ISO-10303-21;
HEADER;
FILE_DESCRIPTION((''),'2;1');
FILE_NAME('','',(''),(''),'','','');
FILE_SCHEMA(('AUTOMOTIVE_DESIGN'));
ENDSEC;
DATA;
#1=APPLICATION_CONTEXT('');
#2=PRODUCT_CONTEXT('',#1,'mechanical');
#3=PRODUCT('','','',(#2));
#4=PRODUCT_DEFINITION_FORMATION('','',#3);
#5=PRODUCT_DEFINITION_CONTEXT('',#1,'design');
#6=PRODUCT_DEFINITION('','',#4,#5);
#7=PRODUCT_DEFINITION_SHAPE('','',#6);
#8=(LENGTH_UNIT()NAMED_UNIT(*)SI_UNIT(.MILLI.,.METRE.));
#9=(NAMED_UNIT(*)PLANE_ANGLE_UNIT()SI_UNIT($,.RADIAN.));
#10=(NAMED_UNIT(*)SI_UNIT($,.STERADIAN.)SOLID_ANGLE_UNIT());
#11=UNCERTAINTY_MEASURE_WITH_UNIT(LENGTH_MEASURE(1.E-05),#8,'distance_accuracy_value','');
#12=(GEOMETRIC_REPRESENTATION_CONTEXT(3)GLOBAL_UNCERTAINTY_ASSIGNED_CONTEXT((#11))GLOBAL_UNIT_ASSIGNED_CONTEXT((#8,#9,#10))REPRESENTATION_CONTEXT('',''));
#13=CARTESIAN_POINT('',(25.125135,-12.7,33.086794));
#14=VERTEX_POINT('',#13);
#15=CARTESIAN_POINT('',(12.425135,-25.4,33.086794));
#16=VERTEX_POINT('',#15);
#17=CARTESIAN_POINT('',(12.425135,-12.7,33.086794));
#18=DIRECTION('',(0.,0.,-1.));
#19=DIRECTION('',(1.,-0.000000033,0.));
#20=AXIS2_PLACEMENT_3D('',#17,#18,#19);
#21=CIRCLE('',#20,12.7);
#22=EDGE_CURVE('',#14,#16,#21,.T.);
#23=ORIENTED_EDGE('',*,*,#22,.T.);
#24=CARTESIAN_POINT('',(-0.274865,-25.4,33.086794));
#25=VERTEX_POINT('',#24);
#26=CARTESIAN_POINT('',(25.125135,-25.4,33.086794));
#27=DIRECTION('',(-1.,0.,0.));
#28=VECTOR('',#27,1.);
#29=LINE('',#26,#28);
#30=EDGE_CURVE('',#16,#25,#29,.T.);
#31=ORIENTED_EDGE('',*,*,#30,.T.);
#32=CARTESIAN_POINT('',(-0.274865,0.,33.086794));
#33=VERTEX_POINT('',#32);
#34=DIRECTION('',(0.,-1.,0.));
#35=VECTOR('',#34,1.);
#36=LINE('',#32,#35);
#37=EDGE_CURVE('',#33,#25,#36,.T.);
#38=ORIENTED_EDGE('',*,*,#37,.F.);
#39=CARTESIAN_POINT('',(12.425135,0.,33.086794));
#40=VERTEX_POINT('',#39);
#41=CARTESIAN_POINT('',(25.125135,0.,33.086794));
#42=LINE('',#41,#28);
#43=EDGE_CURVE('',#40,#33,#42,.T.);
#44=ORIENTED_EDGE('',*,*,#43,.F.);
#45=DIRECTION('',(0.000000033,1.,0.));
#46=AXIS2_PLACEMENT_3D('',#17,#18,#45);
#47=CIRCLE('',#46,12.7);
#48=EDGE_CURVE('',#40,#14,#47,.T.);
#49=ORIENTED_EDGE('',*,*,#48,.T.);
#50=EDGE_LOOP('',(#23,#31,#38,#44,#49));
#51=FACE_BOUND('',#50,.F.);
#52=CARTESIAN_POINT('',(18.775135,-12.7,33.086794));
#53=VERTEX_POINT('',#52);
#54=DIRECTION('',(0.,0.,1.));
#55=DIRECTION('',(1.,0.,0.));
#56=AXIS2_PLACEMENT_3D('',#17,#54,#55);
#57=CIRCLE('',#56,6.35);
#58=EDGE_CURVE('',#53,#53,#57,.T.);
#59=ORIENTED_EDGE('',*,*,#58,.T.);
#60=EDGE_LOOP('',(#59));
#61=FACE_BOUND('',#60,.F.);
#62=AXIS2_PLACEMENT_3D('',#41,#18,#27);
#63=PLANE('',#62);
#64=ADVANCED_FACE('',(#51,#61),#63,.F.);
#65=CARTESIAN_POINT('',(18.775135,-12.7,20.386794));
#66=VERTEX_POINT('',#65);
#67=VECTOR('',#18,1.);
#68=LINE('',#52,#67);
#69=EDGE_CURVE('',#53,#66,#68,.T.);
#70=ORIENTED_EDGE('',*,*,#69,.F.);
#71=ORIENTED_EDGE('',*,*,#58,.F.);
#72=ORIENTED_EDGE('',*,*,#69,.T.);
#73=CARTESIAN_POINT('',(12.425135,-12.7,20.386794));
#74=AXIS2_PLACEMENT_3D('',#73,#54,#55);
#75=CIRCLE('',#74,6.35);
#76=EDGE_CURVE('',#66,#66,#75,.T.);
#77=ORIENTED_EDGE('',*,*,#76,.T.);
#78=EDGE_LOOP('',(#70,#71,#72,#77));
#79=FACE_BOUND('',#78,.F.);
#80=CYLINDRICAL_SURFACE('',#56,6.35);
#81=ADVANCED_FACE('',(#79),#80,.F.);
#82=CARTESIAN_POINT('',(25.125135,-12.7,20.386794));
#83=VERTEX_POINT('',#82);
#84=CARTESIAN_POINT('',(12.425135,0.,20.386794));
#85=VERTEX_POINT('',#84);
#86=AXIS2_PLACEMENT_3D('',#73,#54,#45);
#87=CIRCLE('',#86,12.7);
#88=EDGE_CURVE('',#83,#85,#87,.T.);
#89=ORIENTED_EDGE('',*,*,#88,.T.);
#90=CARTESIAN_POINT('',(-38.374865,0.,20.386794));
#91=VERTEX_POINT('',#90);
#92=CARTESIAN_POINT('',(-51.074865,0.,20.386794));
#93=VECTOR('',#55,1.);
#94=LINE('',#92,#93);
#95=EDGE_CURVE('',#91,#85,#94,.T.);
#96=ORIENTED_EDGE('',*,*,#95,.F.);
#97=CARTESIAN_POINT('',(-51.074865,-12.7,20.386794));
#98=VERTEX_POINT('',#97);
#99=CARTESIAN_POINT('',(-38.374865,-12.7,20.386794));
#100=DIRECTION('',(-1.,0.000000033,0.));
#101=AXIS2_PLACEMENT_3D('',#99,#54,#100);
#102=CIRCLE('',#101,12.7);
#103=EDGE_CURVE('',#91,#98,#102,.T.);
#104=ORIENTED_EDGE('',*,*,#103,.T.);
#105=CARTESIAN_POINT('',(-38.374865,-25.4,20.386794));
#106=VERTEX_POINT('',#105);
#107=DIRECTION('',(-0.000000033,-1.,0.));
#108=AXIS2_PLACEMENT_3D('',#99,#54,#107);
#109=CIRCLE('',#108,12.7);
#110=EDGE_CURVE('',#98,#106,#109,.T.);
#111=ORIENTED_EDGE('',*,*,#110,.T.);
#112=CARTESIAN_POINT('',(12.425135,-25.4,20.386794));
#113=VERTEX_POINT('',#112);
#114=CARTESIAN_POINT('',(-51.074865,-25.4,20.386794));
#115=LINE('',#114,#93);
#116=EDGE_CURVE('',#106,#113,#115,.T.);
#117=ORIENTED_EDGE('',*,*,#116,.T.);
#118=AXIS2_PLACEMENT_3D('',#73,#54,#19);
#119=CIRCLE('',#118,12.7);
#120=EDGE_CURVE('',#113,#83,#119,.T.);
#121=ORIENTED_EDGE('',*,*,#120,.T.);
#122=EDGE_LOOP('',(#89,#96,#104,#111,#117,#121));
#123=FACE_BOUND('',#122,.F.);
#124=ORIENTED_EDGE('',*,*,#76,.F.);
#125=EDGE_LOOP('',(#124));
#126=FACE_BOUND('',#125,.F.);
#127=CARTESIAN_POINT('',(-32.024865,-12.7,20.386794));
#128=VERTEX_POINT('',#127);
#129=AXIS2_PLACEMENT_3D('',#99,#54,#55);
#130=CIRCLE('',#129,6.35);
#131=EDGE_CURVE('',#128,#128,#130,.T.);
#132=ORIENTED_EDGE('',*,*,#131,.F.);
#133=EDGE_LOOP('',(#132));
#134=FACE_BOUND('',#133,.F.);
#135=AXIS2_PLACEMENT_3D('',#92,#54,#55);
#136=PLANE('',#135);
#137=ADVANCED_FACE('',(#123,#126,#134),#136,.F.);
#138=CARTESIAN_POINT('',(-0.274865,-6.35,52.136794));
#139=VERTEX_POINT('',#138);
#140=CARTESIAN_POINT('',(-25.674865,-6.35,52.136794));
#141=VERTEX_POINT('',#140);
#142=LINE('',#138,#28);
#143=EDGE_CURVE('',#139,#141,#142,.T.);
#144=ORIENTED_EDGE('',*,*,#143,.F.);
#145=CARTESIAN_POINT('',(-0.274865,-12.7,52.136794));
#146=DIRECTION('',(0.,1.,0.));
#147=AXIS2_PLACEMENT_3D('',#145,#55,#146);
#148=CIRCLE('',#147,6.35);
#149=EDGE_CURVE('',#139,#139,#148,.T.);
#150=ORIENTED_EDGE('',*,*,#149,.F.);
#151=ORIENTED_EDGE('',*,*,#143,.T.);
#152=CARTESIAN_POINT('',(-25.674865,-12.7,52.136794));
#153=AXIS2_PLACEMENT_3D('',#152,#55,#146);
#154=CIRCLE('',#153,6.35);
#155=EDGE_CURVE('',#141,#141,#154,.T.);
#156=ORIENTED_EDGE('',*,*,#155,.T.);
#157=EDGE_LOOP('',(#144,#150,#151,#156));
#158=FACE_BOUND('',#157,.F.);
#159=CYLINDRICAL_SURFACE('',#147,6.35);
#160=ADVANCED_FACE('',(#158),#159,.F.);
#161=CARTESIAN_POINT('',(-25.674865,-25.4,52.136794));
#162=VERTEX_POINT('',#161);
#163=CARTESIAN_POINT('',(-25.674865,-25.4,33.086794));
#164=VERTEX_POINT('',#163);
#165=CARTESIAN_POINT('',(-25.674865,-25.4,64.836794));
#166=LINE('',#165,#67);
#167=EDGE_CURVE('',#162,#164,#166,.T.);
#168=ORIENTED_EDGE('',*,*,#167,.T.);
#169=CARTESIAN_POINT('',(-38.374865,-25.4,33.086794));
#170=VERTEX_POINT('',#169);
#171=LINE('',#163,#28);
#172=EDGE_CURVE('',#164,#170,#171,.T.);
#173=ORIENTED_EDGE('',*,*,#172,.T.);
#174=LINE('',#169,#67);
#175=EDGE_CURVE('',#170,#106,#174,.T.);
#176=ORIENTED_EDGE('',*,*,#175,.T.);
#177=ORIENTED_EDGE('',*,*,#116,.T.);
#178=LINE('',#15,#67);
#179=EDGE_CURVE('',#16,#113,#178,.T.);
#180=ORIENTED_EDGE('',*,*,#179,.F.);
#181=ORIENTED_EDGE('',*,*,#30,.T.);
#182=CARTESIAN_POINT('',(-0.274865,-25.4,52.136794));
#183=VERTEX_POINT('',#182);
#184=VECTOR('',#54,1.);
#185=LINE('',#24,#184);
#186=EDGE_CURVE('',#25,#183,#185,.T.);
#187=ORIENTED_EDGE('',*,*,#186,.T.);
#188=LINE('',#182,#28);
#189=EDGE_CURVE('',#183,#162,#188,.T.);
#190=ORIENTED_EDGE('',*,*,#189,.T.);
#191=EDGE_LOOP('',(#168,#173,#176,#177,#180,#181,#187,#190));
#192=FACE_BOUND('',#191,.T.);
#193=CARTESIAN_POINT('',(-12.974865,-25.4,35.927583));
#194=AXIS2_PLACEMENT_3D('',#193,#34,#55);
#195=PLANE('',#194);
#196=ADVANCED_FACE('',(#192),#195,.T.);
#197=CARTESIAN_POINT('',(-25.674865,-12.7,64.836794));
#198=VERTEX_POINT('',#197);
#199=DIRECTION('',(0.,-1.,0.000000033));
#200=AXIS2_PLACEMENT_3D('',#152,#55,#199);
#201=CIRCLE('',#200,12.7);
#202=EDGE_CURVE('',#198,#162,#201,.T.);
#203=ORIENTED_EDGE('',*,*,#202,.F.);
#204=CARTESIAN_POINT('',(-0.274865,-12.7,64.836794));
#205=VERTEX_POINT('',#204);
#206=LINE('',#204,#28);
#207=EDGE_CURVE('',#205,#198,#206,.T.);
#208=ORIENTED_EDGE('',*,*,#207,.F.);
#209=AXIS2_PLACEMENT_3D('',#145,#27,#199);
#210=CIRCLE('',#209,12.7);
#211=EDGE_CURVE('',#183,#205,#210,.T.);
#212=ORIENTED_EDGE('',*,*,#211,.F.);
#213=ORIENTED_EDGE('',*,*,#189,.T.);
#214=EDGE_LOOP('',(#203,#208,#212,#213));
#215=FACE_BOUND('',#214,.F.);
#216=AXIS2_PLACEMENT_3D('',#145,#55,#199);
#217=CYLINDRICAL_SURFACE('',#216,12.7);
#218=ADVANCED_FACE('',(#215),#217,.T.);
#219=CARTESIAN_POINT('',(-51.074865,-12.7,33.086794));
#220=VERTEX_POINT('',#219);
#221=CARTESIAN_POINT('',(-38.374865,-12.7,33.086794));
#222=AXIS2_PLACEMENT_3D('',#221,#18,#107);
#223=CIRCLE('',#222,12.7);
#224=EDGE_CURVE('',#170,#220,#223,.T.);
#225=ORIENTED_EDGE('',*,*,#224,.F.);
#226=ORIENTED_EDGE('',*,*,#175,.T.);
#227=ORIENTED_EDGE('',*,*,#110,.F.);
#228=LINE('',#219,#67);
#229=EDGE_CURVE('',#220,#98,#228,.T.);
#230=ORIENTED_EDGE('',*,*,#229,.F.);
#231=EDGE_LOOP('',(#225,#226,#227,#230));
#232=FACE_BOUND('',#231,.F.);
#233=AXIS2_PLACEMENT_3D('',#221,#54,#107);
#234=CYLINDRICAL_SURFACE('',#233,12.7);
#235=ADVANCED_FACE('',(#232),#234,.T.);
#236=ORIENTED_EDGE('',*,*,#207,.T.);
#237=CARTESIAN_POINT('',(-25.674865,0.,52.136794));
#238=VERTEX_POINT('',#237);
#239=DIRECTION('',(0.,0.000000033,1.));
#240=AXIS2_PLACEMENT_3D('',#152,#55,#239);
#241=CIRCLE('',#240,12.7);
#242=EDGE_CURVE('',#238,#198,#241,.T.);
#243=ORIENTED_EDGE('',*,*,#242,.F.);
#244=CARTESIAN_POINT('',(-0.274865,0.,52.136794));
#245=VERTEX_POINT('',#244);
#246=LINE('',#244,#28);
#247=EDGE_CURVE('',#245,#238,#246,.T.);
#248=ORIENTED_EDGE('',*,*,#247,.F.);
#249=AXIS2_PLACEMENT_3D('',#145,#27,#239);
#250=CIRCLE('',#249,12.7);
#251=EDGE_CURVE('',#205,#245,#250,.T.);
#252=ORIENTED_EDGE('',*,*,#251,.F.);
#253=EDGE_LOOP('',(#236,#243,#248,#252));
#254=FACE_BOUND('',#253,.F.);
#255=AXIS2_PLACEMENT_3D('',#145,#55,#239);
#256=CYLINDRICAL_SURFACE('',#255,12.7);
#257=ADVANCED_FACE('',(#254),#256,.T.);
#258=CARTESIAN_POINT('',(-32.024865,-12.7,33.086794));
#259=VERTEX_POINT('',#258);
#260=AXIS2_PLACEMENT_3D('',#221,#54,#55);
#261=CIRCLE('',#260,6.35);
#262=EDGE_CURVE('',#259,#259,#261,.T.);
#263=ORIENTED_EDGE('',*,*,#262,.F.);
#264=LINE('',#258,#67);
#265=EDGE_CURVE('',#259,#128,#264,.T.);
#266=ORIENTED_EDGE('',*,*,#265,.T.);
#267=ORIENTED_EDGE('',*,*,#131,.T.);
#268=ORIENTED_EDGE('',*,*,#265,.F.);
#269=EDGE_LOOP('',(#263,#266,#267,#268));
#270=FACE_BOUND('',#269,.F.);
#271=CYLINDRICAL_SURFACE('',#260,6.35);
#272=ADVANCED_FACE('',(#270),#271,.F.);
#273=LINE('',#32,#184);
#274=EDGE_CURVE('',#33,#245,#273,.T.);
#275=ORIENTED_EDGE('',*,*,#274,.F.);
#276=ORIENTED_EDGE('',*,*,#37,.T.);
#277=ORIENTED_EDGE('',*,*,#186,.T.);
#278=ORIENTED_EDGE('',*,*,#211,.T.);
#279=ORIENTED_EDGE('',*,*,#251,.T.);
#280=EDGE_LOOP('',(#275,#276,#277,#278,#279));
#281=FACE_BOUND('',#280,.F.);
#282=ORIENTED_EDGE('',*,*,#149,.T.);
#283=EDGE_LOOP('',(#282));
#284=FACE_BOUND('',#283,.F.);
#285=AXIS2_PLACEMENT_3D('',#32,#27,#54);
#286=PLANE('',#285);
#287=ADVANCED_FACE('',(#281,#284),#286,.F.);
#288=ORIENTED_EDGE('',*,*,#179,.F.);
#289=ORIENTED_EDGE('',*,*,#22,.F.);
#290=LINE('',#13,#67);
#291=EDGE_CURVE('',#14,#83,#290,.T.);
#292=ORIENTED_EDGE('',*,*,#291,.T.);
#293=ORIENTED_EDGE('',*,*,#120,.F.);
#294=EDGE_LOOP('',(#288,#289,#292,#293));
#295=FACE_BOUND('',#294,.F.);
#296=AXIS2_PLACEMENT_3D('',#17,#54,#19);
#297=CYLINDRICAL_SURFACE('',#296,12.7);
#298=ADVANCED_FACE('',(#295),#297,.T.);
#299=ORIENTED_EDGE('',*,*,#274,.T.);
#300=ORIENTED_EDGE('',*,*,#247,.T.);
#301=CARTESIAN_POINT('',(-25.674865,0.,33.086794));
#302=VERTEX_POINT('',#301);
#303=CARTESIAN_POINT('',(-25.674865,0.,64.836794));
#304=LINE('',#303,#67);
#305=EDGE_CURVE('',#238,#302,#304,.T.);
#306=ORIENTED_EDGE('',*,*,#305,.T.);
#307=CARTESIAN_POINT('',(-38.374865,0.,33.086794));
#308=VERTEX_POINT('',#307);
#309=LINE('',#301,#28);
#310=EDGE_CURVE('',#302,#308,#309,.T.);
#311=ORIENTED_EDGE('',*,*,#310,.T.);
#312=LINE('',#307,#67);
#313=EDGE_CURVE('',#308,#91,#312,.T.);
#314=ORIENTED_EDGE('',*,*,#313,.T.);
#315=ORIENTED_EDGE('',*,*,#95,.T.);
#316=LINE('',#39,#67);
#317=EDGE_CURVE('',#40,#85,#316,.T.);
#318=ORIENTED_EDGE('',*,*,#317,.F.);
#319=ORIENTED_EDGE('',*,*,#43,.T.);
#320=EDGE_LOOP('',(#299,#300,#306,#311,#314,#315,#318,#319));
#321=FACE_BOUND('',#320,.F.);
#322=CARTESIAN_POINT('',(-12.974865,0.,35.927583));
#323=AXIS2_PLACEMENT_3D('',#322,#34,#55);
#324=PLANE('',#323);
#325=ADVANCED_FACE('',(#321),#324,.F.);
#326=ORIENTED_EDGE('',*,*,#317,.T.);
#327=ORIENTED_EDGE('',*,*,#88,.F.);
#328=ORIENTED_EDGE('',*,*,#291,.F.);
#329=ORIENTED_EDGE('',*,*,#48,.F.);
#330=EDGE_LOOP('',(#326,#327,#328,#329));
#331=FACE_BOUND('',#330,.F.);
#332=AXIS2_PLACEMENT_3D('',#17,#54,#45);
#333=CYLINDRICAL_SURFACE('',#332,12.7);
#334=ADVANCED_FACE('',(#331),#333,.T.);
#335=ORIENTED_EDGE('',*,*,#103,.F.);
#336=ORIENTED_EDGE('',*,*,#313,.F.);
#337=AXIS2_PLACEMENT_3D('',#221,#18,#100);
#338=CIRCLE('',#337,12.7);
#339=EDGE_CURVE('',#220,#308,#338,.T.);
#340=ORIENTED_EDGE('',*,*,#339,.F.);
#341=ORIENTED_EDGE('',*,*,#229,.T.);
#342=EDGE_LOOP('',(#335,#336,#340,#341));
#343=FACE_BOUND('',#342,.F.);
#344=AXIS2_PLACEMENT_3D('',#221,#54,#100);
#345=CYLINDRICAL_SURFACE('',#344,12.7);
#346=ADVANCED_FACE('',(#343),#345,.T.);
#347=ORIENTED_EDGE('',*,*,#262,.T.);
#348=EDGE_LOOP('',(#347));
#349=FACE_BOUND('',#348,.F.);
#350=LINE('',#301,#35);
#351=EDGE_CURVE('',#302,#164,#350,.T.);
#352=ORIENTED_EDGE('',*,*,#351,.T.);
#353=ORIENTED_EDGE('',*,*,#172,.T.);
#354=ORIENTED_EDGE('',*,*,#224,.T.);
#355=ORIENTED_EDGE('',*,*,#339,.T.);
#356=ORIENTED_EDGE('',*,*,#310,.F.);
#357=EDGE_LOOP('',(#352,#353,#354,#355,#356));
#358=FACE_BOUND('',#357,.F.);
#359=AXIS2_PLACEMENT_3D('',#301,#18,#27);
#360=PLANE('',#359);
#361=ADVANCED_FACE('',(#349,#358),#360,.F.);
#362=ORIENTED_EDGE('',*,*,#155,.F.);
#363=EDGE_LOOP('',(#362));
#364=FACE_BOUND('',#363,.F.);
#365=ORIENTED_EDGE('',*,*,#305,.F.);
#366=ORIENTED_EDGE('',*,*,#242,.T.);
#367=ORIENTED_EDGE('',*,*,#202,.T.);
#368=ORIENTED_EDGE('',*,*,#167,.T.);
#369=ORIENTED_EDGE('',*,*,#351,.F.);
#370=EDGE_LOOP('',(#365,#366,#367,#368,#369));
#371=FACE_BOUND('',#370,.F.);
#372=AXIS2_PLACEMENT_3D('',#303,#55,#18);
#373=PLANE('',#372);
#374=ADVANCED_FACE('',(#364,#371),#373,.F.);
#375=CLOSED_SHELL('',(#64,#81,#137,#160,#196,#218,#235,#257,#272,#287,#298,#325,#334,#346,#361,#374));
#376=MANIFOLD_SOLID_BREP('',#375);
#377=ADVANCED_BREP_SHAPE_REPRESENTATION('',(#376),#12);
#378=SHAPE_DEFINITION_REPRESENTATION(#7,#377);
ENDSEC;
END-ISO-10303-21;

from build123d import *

# Parameters (mm, degrees)
F1_DEPTH  = 25.4
F3_DEPTH  = 12.701
F5_DEPTH  = 12.701
F7_DEPTH  = 50.801
F8_R      = 6.35
F9_DEPTH  = 50.801
F10_R     = 6.35
F11_DEPTH = 12.701
F12_R     = 6.35
F13_DEPTH = 12.701


with BuildPart() as f1:
    # F0 (on Front) → F1 (new body)
    with BuildSketch(Plane.XZ):
        Polygon((-51.074865, 33.086794), (-51.074865, 20.386794), (25.125135, 20.386794), (25.125135, 33.086794), (-0.274865, 33.086794), (-0.274865, 64.836794), (-25.674865, 64.836794), (-25.674865, 33.086794), align=None)
    extrude(amount=F1_DEPTH)

    # F2 (on face) → F3 (cut, through all)
    with BuildSketch(Plane.XY.offset(33.086794)):
        with BuildLine():
            ThreePointArc((-51.074865, -12.7), (-47.355121, -3.719744), (-38.374865, 0))
            Line((-38.374865, 0), (-51.074865, 0))
            Line((-51.074865, 0), (-51.074865, -12.7))
        make_face()
        with BuildLine():
            ThreePointArc((-38.374865, -25.4), (-47.355121, -21.680256), (-51.074865, -12.7))
            Line((-51.074865, -12.7), (-51.074865, -25.4))
            Line((-51.074865, -25.4), (-38.374865, -25.4))
        make_face()
    extrude(amount=-F3_DEPTH, mode=Mode.SUBTRACT)

    # F4 (on face) → F5 (cut, through all)
    with BuildSketch(Plane.XY.offset(33.086794)):
        with BuildLine():
            ThreePointArc((12.425135, 0), (21.405391, -3.719744), (25.125135, -12.7))
            Line((25.125135, -12.7), (25.125135, 0))
            Line((25.125135, 0), (12.425135, 0))
        make_face()
        with BuildLine():
            ThreePointArc((25.125135, -12.7), (21.405391, -21.680256), (12.425135, -25.4))
            Line((12.425135, -25.4), (25.125135, -25.4))
            Line((25.125135, -25.4), (25.125135, -12.7))
        make_face()
    extrude(amount=-F5_DEPTH, mode=Mode.SUBTRACT)

    # F6 (on face) → F7 (cut, through all)
    with BuildSketch(Plane.YZ.offset(-0.274865)):
        with BuildLine():
            ThreePointArc((-25.4, 52.136794), (-21.680256, 61.11705), (-12.7, 64.836794))
            Line((-12.7, 64.836794), (-25.4, 64.836794))
            Line((-25.4, 64.836794), (-25.4, 52.136794))
        make_face()
        with BuildLine():
            ThreePointArc((-12.7, 64.836794), (-3.719744, 61.11705), (0, 52.136794))
            Line((0, 52.136794), (0, 64.836794))
            Line((0, 64.836794), (-12.7, 64.836794))
        make_face()
    extrude(amount=-F7_DEPTH, mode=Mode.SUBTRACT)

    # F8 (on face) → F9 (cut, through all)
    with BuildSketch(Plane.YZ.offset(-0.274865)):
        with Locations((-12.7, 52.136794)):
            Circle(F8_R)
    extrude(amount=-F9_DEPTH, mode=Mode.SUBTRACT)

    # F10 (on face) → F11 (cut, through all)
    with BuildSketch(Plane.XY.offset(33.086794)):
        with Locations((-38.374865, -12.7)):
            Circle(F10_R)
    extrude(amount=-F11_DEPTH, mode=Mode.SUBTRACT)

    # F12 (on face) → F13 (cut, through all)
    with BuildSketch(Plane.XY.offset(33.086794)):
        with Locations((12.425135, -12.7)):
            Circle(F12_R)
    extrude(amount=-F13_DEPTH, mode=Mode.SUBTRACT)


solid = f1.part
